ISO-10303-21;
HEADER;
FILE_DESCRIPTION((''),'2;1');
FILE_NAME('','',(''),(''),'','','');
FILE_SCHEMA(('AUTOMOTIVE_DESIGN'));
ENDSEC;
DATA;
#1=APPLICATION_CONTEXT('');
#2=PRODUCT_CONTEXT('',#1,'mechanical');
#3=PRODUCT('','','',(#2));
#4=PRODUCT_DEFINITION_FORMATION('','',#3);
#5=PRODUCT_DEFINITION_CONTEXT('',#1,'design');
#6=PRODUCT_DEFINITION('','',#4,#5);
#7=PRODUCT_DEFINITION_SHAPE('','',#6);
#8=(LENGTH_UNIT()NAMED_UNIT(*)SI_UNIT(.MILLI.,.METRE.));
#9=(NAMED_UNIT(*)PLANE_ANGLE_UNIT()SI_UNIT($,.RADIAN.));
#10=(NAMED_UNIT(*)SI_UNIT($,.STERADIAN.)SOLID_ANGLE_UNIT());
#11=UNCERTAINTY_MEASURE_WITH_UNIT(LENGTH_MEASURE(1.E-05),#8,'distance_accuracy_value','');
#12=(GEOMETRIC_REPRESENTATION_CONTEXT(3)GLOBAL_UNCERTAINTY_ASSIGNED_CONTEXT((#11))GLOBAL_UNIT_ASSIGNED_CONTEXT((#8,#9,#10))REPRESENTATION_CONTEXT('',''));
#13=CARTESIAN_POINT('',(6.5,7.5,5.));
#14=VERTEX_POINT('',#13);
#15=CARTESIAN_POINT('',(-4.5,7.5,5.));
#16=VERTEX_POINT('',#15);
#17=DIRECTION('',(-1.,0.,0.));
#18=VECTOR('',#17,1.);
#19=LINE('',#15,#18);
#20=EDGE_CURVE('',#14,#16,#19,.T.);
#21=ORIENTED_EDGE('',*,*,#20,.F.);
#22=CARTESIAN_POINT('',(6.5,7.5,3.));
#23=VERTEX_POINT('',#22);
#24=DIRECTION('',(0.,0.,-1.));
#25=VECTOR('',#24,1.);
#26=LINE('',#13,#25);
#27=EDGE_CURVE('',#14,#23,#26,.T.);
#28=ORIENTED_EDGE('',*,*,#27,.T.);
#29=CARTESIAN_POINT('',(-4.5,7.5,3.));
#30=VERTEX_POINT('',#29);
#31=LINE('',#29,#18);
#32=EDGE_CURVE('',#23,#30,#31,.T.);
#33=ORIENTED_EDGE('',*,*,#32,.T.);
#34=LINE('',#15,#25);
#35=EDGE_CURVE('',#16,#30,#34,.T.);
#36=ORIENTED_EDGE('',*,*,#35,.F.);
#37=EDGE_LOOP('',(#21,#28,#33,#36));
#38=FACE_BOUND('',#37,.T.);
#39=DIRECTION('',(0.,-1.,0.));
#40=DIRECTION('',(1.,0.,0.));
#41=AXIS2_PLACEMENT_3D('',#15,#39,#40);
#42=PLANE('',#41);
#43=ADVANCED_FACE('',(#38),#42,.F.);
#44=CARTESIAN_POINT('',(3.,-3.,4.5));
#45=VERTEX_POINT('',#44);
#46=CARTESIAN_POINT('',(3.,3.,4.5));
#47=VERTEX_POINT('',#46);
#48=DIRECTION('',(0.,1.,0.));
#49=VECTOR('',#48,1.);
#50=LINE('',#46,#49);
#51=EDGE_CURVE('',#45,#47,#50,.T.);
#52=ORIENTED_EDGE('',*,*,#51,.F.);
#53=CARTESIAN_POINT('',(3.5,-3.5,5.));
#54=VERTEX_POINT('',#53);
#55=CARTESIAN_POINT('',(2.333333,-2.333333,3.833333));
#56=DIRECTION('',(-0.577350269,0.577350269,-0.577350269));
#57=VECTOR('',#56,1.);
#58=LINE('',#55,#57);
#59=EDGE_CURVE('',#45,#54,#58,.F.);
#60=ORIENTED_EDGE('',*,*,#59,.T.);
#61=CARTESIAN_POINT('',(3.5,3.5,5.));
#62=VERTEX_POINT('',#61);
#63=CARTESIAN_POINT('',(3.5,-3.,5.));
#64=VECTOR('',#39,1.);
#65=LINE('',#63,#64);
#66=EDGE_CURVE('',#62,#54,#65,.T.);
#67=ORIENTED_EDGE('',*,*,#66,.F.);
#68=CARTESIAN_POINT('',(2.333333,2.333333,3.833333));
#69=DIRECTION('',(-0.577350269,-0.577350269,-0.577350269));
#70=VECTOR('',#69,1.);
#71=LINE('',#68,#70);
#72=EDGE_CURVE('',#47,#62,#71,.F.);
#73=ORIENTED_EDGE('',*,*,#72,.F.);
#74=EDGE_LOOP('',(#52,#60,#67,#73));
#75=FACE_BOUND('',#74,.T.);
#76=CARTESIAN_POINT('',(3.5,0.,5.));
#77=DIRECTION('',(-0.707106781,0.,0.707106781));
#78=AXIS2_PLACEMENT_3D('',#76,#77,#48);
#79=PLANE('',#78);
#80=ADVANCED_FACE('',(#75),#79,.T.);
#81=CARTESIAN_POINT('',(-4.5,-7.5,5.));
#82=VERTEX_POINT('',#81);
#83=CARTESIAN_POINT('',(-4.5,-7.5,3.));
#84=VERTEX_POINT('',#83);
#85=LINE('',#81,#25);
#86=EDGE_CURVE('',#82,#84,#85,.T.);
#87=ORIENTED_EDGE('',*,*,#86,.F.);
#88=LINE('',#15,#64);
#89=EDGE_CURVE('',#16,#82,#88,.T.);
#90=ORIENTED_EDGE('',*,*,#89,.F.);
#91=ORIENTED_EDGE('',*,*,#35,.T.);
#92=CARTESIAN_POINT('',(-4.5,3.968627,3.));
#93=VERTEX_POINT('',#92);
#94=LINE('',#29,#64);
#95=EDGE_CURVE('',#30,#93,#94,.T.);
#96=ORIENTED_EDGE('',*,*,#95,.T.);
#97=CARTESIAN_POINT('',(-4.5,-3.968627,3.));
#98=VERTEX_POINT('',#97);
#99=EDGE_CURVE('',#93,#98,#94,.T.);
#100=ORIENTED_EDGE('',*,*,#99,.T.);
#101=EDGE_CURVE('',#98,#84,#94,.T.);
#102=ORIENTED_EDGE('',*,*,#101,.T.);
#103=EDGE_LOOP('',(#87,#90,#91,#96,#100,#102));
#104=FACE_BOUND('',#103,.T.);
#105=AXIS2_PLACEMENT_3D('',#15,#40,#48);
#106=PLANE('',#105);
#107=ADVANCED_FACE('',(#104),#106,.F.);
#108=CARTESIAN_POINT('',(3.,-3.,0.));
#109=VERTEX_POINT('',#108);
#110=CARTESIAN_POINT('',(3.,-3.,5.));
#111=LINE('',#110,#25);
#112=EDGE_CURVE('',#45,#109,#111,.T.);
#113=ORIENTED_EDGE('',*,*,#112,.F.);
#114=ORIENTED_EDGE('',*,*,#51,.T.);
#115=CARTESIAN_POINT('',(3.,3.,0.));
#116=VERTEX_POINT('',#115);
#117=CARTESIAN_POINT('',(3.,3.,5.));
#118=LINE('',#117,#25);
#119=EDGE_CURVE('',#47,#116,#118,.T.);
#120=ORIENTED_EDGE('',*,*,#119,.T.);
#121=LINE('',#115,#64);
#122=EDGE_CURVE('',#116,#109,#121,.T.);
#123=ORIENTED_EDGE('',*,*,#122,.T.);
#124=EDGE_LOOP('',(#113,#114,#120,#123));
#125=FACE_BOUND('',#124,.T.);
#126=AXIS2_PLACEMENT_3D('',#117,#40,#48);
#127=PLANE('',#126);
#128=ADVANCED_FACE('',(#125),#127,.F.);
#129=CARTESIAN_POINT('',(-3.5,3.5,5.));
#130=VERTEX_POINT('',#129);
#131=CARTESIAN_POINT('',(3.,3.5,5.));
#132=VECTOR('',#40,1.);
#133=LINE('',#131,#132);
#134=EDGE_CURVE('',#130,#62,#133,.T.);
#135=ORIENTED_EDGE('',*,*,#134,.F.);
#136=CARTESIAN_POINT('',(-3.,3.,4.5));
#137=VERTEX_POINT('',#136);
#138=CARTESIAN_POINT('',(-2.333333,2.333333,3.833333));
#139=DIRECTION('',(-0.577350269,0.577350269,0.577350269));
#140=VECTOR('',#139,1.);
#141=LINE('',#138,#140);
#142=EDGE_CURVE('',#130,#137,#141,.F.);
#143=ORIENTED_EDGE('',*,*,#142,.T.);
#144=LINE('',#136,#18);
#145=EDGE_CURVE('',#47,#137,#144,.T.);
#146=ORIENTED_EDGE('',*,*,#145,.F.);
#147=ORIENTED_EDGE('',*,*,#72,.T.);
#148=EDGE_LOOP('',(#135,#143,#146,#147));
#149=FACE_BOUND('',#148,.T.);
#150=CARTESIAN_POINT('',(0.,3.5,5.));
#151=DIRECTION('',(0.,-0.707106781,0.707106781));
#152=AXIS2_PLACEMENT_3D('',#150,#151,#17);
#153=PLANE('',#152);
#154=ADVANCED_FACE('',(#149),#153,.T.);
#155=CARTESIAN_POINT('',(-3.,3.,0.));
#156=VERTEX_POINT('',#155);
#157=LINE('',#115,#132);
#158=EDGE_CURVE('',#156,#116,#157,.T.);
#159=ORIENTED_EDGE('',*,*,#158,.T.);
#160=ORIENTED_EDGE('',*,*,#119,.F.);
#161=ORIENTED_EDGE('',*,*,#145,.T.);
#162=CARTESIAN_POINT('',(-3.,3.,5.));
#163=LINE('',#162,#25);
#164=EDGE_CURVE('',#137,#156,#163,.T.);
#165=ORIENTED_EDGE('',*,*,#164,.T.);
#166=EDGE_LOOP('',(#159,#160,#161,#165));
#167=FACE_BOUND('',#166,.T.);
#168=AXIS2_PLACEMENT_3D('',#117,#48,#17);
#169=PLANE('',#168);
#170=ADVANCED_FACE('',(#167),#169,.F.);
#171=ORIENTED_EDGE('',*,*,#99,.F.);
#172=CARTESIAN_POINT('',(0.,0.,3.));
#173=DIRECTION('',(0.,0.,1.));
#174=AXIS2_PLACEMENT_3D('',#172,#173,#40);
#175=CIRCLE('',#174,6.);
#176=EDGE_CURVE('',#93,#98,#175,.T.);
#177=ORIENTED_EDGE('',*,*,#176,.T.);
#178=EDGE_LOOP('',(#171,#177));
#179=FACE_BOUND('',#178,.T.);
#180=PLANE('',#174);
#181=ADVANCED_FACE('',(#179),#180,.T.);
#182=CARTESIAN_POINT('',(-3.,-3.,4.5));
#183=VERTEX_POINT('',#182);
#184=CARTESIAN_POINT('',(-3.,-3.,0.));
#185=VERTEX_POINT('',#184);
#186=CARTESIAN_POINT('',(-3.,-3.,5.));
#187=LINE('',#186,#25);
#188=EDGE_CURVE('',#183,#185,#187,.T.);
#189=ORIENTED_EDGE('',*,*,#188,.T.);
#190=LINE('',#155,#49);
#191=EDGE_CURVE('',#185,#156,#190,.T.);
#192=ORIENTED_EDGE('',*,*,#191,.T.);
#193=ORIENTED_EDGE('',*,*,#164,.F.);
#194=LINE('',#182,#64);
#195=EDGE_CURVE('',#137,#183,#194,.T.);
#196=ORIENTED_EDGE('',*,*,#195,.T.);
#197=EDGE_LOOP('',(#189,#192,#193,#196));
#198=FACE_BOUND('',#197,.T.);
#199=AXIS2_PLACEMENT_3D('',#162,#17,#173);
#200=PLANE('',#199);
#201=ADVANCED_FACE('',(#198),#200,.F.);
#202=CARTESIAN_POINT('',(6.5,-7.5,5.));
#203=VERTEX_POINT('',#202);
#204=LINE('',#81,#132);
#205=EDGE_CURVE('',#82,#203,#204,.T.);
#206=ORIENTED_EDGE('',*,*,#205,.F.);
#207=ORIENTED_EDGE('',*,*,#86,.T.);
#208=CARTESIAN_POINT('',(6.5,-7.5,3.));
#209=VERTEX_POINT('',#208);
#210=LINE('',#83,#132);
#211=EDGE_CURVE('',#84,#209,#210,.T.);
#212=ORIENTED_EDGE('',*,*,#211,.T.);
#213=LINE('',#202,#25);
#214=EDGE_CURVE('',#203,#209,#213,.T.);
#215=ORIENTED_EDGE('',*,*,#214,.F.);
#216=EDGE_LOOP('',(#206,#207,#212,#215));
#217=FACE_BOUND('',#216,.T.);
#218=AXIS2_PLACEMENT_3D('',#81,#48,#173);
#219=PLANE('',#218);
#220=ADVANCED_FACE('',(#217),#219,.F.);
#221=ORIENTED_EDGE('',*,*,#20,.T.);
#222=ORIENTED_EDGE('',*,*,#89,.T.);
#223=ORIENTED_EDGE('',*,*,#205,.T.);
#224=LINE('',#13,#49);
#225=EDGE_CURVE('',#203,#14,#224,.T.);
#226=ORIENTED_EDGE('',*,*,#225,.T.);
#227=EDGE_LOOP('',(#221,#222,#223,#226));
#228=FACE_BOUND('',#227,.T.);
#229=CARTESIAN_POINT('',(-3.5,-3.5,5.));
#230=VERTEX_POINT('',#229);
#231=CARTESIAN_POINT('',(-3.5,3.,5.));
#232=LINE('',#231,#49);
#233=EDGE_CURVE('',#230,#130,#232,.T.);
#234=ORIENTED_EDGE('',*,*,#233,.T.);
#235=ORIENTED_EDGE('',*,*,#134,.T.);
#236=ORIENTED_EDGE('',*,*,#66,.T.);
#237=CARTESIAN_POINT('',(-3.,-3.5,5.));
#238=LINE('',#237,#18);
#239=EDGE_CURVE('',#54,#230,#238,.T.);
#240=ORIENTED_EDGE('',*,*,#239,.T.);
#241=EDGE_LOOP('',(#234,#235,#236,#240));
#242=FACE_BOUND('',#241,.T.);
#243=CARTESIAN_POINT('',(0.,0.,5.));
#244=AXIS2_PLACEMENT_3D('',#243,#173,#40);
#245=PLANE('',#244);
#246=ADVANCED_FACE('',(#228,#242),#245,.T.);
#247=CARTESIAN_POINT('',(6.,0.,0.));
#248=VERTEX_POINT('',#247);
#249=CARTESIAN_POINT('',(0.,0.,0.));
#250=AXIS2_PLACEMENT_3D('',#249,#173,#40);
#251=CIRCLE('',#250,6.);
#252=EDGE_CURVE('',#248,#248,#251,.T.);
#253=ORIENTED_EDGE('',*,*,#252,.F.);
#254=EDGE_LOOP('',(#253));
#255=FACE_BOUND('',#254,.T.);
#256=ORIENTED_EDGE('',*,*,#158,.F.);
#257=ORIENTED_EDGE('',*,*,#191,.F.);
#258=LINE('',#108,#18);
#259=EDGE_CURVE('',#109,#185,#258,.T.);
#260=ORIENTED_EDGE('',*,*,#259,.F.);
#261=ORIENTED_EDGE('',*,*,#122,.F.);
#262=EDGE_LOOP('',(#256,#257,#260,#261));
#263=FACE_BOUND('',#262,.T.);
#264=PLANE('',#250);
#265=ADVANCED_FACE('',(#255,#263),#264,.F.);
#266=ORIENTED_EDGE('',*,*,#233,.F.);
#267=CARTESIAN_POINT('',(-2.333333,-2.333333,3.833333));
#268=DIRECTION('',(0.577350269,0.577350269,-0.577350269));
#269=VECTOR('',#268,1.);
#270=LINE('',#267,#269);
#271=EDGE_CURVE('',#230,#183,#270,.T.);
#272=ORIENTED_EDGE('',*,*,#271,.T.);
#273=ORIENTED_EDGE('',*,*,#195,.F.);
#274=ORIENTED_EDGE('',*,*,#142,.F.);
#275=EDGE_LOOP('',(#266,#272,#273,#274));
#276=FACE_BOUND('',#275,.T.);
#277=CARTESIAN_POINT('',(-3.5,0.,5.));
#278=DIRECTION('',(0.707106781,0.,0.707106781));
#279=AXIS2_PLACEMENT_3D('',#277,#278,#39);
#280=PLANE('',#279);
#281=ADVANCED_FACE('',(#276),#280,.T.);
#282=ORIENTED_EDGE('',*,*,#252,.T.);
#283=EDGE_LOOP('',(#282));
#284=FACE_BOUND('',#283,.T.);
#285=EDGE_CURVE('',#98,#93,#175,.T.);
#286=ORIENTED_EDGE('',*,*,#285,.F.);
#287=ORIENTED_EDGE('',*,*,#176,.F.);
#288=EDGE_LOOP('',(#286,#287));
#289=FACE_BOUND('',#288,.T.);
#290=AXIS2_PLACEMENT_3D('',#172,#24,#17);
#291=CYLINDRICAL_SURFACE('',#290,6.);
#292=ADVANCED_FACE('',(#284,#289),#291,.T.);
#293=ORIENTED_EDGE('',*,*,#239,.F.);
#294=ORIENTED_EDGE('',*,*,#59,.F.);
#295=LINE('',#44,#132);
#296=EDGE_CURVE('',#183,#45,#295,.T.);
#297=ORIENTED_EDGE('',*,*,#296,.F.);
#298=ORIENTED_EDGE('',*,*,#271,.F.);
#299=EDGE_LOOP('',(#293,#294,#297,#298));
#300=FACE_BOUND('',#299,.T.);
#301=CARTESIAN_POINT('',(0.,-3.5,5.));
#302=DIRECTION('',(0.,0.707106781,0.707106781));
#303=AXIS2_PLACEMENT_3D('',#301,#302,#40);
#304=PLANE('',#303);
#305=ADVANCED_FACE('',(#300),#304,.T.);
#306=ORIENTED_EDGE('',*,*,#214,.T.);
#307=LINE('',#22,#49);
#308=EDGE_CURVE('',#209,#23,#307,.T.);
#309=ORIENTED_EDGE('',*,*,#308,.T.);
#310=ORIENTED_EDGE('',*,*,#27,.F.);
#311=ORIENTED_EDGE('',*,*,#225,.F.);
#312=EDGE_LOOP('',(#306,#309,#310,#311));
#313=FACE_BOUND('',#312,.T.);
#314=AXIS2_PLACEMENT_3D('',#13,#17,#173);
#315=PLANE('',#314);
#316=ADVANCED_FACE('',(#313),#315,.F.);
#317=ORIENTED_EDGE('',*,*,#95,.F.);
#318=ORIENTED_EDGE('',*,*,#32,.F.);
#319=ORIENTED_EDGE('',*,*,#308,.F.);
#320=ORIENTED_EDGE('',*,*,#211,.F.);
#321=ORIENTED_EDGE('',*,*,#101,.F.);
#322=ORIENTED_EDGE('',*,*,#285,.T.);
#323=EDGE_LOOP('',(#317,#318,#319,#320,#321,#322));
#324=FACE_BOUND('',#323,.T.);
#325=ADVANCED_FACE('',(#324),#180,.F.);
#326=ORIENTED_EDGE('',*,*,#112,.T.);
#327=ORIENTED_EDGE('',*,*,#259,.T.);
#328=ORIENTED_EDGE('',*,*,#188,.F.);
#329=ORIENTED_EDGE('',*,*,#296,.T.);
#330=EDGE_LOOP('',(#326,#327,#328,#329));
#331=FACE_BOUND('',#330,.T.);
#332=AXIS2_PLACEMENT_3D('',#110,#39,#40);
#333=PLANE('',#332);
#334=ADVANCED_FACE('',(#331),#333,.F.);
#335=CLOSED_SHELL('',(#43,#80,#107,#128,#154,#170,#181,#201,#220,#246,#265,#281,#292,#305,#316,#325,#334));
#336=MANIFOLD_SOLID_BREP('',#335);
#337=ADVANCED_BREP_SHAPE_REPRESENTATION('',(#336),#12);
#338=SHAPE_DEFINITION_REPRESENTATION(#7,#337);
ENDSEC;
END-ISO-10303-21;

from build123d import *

# Parameters (mm, degrees)
SKETCH1_R           = 6
BOSS_EXTRUDE1_DEPTH = 3
SKETCH2_W           = 11
SKETCH2_H           = 15
BOSS_EXTRUDE2_DEPTH = 2
SKETCH3_W           = 6
SKETCH3_H           = 6
CUT_EXTRUDE1_DEPTH  = 12.113055385
CHAMFER1_SIZE       = 0.5


with BuildPart() as part:
    # Sketch1 → Boss-Extrude1 (new body)
    with BuildSketch(Plane.XY):
        Circle(SKETCH1_R)
    extrude(amount=BOSS_EXTRUDE1_DEPTH)

    # Sketch2 → Boss-Extrude2 (add)
    with BuildSketch(Plane.XY.offset(3)):
        with Locations((1, 0)):
            Rectangle(SKETCH2_W, SKETCH2_H)
    extrude(amount=BOSS_EXTRUDE2_DEPTH)

    # Sketch3 → Cut-Extrude1 (cut, through all)
    with BuildSketch(Plane(origin=(0, 0, 0), x_dir=(-1, 0, 0), z_dir=(0, 0, -1))):
        Rectangle(SKETCH3_W, SKETCH3_H)
    extrude(amount=-CUT_EXTRUDE1_DEPTH, mode=Mode.SUBTRACT)

    # Chamfer1
    chamfer1_edges = [part.edges().sort_by_distance(p)[0] for p in [
        (3, 0, 5),
        (0, 3, 5),
        (-3, 0, 5),
        (0, -3, 5),
    ]]
    chamfer(chamfer1_edges, length=CHAMFER1_SIZE)


solid = part.part
